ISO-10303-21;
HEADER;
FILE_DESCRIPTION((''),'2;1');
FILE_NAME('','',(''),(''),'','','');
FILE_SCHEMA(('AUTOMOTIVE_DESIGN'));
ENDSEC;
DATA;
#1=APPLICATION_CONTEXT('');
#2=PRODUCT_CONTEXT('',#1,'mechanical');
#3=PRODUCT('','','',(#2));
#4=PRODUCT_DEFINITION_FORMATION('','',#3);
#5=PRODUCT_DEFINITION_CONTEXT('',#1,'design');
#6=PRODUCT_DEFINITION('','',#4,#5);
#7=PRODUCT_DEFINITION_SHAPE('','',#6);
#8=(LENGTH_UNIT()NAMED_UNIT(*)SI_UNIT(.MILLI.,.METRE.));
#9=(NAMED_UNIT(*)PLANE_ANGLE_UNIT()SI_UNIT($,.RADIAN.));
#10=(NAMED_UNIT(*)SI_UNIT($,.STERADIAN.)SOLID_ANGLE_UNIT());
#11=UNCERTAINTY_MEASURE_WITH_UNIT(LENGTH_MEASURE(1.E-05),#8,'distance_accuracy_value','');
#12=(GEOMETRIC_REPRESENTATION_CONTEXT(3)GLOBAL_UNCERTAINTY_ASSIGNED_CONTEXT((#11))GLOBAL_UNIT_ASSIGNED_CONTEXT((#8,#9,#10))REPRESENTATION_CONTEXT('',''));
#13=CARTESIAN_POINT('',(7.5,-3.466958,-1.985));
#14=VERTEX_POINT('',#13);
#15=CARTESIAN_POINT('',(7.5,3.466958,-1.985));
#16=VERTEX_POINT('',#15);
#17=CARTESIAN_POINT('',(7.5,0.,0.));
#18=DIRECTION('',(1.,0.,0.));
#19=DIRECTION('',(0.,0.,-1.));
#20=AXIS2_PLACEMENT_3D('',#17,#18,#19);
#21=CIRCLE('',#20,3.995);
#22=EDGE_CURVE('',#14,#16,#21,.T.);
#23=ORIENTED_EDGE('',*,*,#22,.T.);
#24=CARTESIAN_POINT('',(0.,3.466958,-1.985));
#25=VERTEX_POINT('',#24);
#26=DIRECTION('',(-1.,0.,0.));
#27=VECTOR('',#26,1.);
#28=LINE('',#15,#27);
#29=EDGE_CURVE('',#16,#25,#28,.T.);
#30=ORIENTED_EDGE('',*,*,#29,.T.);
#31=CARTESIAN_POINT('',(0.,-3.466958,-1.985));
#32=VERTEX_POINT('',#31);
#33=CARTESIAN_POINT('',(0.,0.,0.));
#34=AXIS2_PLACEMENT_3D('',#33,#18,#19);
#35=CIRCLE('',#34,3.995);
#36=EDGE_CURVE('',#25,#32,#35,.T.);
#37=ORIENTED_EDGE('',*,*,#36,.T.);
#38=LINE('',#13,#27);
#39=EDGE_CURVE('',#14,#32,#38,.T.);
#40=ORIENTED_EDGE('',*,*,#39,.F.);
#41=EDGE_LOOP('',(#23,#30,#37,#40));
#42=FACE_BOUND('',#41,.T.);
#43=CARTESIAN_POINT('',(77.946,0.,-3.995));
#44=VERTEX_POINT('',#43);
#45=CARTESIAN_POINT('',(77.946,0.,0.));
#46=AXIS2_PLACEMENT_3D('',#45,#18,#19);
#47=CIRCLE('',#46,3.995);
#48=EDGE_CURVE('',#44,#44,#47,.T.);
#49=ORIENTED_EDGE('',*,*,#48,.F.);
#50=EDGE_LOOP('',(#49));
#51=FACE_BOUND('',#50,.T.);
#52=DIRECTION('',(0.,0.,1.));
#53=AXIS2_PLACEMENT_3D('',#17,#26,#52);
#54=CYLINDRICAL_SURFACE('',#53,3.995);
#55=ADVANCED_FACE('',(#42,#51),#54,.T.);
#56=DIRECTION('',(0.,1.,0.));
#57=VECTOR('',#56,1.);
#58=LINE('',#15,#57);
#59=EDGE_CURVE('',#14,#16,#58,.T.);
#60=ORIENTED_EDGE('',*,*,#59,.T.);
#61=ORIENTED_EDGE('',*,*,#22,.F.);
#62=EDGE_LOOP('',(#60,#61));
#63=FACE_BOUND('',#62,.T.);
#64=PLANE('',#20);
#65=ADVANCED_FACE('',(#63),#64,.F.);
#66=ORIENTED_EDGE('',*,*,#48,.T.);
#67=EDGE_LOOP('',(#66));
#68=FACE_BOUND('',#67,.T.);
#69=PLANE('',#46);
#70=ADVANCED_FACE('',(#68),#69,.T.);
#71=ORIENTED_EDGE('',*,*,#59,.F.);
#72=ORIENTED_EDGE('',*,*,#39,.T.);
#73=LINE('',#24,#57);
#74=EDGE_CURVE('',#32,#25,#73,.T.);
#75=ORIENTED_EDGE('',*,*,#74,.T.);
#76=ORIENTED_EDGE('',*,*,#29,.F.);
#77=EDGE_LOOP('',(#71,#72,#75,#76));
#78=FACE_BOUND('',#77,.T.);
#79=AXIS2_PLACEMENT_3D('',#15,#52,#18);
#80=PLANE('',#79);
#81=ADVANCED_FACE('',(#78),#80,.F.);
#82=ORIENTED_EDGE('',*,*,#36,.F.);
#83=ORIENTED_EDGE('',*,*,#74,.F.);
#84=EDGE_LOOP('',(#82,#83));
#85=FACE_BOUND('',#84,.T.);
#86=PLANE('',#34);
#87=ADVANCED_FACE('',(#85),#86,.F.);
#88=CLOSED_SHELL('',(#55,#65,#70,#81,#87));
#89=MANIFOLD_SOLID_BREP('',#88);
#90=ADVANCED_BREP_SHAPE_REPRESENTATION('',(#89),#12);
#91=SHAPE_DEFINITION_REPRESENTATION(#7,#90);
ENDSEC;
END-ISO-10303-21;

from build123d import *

# Parameters (mm, degrees)
BOSS_EXTRUDE1_DEPTH = 7.5
SKETCH2_R           = 3.995
BOSS_EXTRUDE2_DEPTH = 70.446


with BuildPart() as part:
    # Sketch1 → Boss-Extrude1 (new body)
    with BuildSketch(Plane(origin=(0, 0, 0), x_dir=(0, 0, -1), z_dir=(1, 0, 0))):
        with BuildLine():
            Line((1.985, 3.466958321), (1.985, -3.466958321))
            ThreePointArc((1.985, -3.466958321), (-3.995, 0), (1.985, 3.466958321))
        make_face()
    extrude(amount=BOSS_EXTRUDE1_DEPTH)

    # Sketch2 → Boss-Extrude2 (add)
    with BuildSketch(Plane(origin=(7.5, 0, 0), x_dir=(0, 0, -1), z_dir=(1, 0, 0))):
        with Locations(Location((0, 0, 0), (0, 0, 299.79320791))):
            Circle(SKETCH2_R)
    extrude(amount=BOSS_EXTRUDE2_DEPTH)


solid = part.part
